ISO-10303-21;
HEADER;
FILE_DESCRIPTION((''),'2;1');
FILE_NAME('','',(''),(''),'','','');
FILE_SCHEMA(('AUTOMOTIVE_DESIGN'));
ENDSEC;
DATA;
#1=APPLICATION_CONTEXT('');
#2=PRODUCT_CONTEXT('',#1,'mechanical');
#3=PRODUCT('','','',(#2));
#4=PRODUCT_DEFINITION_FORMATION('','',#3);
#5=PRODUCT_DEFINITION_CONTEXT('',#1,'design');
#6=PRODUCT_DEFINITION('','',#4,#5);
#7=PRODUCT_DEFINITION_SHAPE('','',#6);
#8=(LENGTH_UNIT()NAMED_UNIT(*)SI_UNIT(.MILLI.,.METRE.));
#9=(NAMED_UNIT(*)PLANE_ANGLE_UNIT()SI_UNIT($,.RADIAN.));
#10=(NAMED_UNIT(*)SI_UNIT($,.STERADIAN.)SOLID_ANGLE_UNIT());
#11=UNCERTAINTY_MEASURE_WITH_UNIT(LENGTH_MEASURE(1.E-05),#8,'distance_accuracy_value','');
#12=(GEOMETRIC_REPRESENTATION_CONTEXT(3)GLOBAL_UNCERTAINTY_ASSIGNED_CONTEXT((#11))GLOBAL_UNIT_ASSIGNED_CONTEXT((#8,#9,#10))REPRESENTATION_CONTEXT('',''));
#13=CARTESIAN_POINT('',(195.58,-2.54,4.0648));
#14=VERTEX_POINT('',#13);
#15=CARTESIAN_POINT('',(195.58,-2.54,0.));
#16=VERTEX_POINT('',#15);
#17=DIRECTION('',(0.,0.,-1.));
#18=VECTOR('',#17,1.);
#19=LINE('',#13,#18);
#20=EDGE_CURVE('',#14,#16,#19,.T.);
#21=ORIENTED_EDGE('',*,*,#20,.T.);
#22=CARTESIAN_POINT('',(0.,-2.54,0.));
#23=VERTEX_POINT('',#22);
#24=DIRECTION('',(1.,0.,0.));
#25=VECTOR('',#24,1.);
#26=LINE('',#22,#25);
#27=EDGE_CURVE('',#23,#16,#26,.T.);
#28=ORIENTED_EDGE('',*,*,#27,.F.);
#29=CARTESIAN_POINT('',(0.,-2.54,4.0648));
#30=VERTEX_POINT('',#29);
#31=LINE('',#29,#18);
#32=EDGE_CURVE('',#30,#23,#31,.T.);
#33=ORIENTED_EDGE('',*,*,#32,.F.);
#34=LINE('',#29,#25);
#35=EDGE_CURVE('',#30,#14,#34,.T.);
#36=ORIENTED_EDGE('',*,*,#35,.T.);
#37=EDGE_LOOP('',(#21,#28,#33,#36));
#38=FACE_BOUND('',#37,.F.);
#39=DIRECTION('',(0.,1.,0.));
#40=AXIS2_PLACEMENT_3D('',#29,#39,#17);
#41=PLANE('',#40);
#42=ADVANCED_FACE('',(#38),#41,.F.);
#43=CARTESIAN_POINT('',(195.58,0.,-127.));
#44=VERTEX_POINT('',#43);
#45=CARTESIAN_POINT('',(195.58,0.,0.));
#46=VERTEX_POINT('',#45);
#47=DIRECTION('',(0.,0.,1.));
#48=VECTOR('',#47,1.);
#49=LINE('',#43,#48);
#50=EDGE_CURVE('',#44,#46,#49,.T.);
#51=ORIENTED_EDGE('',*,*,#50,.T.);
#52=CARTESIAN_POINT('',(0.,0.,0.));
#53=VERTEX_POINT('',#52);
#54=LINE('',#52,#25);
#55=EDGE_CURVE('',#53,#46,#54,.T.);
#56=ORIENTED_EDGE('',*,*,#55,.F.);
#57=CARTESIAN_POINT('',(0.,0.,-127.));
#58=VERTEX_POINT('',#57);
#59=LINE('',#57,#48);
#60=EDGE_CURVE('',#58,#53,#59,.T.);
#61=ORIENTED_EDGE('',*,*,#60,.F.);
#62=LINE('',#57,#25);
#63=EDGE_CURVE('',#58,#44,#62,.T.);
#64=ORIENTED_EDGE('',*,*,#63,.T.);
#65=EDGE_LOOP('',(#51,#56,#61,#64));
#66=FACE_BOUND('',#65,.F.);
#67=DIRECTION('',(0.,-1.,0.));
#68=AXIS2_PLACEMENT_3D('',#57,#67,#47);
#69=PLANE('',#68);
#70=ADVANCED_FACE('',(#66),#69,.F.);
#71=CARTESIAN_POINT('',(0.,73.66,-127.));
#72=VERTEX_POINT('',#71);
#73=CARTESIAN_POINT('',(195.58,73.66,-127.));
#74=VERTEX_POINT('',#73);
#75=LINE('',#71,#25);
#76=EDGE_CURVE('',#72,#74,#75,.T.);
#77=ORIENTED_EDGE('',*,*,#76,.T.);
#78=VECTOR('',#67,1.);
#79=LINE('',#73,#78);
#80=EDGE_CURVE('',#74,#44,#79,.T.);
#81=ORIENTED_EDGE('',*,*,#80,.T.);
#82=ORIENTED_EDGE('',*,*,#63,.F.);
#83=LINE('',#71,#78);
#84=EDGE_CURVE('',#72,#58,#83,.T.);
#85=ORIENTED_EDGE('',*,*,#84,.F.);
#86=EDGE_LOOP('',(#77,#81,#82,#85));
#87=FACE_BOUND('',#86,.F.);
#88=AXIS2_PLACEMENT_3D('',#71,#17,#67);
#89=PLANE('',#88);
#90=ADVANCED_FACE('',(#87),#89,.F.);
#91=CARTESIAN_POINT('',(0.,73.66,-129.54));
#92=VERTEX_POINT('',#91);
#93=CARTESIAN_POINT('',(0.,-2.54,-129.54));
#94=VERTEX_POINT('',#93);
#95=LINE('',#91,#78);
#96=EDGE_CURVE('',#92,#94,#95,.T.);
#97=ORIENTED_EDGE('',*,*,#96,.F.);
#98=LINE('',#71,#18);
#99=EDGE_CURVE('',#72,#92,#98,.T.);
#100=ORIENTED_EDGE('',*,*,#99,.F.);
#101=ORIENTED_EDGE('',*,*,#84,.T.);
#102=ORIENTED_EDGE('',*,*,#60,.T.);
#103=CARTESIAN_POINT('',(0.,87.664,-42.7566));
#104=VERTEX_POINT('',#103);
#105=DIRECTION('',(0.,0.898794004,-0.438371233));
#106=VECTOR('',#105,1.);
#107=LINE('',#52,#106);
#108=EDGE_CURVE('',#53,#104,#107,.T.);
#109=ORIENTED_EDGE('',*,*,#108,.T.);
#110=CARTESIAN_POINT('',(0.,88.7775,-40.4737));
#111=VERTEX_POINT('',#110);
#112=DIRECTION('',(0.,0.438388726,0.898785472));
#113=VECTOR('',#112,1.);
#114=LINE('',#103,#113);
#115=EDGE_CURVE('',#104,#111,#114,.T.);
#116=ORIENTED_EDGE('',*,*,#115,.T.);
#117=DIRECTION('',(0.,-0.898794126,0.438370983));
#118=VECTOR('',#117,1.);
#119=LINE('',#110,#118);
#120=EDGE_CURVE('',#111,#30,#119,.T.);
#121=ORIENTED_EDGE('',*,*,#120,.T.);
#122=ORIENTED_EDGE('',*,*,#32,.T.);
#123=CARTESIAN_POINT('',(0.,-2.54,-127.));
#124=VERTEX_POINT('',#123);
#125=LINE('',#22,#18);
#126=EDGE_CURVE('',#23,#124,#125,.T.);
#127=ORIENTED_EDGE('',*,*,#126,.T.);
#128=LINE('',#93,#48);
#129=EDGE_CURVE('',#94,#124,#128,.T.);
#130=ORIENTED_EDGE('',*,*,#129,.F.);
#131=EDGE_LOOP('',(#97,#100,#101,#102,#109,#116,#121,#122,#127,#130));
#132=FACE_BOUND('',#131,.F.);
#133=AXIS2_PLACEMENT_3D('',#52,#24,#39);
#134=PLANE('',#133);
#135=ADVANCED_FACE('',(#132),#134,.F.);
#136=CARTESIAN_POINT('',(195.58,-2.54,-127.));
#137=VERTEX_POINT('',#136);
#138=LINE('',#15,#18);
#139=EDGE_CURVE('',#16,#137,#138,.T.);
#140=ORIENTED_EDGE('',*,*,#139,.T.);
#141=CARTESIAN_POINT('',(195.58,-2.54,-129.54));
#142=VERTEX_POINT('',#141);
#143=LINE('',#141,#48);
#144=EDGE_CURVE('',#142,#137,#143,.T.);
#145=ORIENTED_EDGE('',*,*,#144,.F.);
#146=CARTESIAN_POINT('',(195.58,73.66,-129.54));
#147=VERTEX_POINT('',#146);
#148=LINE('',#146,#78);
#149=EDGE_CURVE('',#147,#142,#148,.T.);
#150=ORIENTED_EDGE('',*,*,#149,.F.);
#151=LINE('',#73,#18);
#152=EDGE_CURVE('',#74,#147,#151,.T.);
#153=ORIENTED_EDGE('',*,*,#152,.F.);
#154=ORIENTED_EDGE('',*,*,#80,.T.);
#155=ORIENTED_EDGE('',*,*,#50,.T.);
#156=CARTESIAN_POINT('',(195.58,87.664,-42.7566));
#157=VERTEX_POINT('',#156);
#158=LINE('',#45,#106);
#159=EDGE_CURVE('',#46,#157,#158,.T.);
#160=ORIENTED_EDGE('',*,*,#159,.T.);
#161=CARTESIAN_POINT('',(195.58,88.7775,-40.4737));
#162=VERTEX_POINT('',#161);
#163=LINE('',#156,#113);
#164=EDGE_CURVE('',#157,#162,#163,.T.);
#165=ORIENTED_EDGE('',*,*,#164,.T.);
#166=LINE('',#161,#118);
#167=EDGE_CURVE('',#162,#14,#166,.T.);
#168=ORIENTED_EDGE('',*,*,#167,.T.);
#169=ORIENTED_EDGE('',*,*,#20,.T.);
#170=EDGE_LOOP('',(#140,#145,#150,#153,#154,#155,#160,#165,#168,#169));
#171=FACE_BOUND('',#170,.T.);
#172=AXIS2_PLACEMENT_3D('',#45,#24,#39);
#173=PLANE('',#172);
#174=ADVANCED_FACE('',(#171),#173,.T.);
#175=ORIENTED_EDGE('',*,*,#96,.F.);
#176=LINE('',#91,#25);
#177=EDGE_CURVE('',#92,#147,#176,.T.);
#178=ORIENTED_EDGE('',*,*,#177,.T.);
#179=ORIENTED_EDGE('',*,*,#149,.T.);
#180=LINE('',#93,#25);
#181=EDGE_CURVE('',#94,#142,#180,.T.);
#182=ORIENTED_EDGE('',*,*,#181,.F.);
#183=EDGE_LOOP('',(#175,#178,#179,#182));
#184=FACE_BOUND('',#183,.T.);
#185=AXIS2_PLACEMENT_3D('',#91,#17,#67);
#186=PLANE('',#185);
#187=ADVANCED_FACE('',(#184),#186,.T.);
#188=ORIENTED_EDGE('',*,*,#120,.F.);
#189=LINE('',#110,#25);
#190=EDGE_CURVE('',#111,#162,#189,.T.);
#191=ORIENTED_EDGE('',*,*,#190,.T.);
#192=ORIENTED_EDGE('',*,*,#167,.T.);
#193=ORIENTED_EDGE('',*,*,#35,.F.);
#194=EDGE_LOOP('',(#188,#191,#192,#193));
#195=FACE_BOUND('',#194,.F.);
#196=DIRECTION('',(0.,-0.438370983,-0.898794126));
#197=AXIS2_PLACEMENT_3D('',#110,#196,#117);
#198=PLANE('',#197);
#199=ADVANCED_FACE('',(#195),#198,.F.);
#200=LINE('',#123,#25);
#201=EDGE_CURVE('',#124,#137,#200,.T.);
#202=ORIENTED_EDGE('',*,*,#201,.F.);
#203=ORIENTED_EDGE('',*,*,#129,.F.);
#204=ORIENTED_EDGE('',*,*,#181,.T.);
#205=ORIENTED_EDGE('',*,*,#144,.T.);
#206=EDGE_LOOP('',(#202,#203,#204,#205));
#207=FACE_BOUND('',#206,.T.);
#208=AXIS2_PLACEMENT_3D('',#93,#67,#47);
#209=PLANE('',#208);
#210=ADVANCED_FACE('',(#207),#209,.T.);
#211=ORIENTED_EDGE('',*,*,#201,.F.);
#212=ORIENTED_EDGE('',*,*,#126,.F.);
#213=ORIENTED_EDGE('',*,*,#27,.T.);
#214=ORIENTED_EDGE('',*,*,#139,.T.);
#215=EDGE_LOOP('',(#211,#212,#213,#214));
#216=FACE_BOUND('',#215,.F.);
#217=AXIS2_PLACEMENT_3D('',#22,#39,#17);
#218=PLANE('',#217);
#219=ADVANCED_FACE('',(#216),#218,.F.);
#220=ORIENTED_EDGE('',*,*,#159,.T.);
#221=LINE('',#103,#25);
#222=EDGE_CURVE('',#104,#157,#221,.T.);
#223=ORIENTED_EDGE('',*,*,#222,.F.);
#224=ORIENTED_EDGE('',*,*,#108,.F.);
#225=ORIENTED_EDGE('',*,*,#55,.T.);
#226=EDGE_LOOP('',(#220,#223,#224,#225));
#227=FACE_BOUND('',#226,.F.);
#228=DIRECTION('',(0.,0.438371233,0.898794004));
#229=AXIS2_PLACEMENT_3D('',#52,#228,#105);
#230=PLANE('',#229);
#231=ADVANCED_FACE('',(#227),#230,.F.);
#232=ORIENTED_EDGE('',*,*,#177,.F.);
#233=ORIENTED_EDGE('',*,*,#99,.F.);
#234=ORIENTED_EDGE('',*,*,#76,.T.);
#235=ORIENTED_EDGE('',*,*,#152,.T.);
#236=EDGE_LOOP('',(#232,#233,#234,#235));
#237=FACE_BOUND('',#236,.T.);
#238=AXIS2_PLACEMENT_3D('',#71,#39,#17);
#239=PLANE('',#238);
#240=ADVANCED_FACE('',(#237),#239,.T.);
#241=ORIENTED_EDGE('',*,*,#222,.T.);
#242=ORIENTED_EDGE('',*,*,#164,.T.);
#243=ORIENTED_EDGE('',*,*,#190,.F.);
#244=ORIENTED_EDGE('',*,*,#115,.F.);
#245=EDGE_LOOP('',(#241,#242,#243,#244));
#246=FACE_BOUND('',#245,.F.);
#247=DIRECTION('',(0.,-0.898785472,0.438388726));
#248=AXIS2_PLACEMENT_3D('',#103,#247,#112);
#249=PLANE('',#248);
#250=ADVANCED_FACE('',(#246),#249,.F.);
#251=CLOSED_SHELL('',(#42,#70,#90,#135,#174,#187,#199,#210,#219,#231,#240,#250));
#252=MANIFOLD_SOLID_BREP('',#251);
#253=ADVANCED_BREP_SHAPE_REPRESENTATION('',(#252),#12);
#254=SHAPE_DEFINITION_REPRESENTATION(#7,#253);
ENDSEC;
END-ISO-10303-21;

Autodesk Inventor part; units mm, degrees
ref_plane "YZ Plane" through (0, 0, 0) normal (1, 0, 0) x (0, 1, 0)
ref_plane "XZ Plane" through (0, 0, 0) normal (0, 1, 0) x (-1, 0, 0)
ref_plane "XY Plane" through (0, 0, 0) normal (0, 0, 1) x (1, 0, 0)
sketch "Sketch1" plane through (0, 0, 0) normal (1, 0, 0) x (0, 1, 0)
  line L0 (0, 0) -> (-2.54, 0) construction
  line L1 (-2.54, 0) -> (-2.54, -127)
  line L2 (-2.54, -127) -> (0, -127) construction
  line L3 (0, -127) -> (0, 0)
  line L4 (0, 0) -> (87.664, -42.7566)
  line L5 (87.664, -42.7566) -> (88.7775, -40.4737)
  line L6 (88.7775, -40.4737) -> (-2.54, 4.0648)
  line L7 (-2.54, 4.0648) -> (-2.54, 0)
  line L8 (-2.54, -127) -> (73.66, -127) construction
  line L9 (73.66, -127) -> (73.66, -129.54)
  line L10 (73.66, -129.54) -> (-2.54, -129.54)
  line L11 (-2.54, -129.54) -> (-2.54, -127)
  line L12 (73.66, -127) -> (0, -127)
  dimension "d0" = 127
  dimension "d1" = 2.54
  dimension "d2" = 2.54
  dimension "d3" = 101.6
  dimension "d4" = 64
  dimension "d5" = 76.2
  dimension "d6" = 2.54
extrude "Extrusion1" add sketch "Sketch1" along normal blind 195.58
properties part number "KartBuildArea"
